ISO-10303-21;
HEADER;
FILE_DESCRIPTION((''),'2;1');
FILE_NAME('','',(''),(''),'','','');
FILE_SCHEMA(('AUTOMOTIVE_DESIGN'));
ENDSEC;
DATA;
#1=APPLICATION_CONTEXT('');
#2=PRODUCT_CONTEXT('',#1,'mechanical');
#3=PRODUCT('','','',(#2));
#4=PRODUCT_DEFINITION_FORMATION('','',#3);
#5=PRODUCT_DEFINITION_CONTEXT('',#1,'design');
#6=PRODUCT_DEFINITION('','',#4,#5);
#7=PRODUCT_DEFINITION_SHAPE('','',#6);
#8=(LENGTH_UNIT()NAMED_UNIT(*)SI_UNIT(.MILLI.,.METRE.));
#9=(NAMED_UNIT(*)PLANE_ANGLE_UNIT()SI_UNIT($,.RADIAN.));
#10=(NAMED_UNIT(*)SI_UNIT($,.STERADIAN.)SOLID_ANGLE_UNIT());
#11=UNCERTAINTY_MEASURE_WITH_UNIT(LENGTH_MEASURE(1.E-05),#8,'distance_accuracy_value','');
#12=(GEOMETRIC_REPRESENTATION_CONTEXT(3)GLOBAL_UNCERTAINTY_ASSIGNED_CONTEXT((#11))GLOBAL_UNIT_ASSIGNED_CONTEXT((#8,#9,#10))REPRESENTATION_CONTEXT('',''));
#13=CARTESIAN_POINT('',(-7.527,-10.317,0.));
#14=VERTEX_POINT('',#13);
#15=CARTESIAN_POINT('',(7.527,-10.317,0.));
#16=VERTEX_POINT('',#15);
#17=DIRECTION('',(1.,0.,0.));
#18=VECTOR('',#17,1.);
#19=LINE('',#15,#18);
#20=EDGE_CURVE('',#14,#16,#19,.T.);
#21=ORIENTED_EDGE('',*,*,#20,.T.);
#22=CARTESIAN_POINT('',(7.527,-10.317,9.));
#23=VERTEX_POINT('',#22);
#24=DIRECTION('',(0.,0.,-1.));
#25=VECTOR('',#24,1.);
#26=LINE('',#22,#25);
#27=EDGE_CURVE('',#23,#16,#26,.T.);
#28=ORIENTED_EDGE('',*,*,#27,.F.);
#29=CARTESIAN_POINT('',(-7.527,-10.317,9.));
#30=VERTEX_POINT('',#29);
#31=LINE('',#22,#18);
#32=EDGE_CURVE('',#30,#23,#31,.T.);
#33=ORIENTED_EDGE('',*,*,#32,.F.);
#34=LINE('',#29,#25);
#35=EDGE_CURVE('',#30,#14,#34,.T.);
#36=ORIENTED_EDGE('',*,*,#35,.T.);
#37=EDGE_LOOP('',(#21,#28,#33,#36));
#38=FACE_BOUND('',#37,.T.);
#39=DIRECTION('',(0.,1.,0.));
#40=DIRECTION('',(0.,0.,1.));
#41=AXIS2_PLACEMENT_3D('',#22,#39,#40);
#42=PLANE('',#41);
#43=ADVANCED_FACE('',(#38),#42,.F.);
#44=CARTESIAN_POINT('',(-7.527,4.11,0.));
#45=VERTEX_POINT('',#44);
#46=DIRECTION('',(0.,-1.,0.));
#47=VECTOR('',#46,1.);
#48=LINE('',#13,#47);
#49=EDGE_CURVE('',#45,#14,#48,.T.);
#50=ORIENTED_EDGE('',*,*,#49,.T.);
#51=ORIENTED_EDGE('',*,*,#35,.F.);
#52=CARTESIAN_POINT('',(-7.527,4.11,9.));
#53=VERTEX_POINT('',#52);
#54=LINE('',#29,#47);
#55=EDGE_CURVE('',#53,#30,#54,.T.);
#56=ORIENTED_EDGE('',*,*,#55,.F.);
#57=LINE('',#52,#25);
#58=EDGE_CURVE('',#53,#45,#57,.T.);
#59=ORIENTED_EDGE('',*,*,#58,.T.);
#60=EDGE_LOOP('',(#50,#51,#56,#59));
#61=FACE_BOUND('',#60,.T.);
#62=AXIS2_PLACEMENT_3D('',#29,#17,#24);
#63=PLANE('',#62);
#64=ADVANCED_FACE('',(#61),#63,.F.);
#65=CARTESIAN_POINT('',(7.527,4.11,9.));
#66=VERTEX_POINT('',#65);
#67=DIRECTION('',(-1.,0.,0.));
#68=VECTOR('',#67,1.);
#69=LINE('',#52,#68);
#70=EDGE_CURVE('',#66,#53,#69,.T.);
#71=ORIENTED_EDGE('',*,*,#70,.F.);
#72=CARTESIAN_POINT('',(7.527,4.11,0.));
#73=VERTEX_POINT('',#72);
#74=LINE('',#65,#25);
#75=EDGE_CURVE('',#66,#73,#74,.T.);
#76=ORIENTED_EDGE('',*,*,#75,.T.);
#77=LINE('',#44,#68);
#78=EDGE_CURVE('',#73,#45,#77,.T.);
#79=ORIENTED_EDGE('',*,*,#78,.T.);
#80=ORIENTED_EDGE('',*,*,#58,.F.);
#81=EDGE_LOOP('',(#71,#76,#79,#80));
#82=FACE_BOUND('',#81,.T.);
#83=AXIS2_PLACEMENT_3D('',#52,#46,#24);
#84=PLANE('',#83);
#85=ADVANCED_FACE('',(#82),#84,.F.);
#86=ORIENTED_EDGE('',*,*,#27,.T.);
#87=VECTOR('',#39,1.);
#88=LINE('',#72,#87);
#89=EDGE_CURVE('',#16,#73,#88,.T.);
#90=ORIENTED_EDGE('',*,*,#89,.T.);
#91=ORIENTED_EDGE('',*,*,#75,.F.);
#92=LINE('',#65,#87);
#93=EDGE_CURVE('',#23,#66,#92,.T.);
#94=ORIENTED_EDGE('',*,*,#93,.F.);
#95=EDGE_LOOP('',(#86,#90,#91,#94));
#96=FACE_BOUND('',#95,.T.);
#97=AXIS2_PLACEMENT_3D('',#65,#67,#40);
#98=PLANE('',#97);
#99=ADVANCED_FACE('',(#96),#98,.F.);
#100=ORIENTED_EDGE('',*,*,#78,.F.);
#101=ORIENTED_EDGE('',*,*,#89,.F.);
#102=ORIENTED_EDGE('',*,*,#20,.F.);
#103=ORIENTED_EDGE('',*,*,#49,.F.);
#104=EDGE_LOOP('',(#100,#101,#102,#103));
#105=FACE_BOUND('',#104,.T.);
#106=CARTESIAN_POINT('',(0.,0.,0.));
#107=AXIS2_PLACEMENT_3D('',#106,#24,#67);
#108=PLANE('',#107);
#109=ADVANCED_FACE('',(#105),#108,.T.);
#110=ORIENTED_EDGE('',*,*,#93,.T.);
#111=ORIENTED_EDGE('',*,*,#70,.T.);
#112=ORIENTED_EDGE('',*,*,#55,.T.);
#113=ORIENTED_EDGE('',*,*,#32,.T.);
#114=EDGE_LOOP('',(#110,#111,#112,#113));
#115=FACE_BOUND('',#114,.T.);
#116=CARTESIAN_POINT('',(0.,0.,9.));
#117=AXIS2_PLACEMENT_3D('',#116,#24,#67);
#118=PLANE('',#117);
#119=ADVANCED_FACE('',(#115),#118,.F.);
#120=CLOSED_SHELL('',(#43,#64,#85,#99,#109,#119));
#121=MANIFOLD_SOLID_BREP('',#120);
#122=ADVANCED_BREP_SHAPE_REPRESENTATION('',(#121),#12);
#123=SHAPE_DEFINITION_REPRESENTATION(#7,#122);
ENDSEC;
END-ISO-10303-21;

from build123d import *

# Parameters (mm, degrees)
ESQUISSE1_W             = 15.054
ESQUISSE1_H             = 14.427
COMPONENT_OUTLINE_DEPTH = 9


with BuildPart() as part:
    # Esquisse1 → Component_Outline (new body)
    with BuildSketch(Plane.XY):
        with Locations((0, -3.1035)):
            Rectangle(ESQUISSE1_W, ESQUISSE1_H)
    extrude(amount=COMPONENT_OUTLINE_DEPTH)


solid = part.part
